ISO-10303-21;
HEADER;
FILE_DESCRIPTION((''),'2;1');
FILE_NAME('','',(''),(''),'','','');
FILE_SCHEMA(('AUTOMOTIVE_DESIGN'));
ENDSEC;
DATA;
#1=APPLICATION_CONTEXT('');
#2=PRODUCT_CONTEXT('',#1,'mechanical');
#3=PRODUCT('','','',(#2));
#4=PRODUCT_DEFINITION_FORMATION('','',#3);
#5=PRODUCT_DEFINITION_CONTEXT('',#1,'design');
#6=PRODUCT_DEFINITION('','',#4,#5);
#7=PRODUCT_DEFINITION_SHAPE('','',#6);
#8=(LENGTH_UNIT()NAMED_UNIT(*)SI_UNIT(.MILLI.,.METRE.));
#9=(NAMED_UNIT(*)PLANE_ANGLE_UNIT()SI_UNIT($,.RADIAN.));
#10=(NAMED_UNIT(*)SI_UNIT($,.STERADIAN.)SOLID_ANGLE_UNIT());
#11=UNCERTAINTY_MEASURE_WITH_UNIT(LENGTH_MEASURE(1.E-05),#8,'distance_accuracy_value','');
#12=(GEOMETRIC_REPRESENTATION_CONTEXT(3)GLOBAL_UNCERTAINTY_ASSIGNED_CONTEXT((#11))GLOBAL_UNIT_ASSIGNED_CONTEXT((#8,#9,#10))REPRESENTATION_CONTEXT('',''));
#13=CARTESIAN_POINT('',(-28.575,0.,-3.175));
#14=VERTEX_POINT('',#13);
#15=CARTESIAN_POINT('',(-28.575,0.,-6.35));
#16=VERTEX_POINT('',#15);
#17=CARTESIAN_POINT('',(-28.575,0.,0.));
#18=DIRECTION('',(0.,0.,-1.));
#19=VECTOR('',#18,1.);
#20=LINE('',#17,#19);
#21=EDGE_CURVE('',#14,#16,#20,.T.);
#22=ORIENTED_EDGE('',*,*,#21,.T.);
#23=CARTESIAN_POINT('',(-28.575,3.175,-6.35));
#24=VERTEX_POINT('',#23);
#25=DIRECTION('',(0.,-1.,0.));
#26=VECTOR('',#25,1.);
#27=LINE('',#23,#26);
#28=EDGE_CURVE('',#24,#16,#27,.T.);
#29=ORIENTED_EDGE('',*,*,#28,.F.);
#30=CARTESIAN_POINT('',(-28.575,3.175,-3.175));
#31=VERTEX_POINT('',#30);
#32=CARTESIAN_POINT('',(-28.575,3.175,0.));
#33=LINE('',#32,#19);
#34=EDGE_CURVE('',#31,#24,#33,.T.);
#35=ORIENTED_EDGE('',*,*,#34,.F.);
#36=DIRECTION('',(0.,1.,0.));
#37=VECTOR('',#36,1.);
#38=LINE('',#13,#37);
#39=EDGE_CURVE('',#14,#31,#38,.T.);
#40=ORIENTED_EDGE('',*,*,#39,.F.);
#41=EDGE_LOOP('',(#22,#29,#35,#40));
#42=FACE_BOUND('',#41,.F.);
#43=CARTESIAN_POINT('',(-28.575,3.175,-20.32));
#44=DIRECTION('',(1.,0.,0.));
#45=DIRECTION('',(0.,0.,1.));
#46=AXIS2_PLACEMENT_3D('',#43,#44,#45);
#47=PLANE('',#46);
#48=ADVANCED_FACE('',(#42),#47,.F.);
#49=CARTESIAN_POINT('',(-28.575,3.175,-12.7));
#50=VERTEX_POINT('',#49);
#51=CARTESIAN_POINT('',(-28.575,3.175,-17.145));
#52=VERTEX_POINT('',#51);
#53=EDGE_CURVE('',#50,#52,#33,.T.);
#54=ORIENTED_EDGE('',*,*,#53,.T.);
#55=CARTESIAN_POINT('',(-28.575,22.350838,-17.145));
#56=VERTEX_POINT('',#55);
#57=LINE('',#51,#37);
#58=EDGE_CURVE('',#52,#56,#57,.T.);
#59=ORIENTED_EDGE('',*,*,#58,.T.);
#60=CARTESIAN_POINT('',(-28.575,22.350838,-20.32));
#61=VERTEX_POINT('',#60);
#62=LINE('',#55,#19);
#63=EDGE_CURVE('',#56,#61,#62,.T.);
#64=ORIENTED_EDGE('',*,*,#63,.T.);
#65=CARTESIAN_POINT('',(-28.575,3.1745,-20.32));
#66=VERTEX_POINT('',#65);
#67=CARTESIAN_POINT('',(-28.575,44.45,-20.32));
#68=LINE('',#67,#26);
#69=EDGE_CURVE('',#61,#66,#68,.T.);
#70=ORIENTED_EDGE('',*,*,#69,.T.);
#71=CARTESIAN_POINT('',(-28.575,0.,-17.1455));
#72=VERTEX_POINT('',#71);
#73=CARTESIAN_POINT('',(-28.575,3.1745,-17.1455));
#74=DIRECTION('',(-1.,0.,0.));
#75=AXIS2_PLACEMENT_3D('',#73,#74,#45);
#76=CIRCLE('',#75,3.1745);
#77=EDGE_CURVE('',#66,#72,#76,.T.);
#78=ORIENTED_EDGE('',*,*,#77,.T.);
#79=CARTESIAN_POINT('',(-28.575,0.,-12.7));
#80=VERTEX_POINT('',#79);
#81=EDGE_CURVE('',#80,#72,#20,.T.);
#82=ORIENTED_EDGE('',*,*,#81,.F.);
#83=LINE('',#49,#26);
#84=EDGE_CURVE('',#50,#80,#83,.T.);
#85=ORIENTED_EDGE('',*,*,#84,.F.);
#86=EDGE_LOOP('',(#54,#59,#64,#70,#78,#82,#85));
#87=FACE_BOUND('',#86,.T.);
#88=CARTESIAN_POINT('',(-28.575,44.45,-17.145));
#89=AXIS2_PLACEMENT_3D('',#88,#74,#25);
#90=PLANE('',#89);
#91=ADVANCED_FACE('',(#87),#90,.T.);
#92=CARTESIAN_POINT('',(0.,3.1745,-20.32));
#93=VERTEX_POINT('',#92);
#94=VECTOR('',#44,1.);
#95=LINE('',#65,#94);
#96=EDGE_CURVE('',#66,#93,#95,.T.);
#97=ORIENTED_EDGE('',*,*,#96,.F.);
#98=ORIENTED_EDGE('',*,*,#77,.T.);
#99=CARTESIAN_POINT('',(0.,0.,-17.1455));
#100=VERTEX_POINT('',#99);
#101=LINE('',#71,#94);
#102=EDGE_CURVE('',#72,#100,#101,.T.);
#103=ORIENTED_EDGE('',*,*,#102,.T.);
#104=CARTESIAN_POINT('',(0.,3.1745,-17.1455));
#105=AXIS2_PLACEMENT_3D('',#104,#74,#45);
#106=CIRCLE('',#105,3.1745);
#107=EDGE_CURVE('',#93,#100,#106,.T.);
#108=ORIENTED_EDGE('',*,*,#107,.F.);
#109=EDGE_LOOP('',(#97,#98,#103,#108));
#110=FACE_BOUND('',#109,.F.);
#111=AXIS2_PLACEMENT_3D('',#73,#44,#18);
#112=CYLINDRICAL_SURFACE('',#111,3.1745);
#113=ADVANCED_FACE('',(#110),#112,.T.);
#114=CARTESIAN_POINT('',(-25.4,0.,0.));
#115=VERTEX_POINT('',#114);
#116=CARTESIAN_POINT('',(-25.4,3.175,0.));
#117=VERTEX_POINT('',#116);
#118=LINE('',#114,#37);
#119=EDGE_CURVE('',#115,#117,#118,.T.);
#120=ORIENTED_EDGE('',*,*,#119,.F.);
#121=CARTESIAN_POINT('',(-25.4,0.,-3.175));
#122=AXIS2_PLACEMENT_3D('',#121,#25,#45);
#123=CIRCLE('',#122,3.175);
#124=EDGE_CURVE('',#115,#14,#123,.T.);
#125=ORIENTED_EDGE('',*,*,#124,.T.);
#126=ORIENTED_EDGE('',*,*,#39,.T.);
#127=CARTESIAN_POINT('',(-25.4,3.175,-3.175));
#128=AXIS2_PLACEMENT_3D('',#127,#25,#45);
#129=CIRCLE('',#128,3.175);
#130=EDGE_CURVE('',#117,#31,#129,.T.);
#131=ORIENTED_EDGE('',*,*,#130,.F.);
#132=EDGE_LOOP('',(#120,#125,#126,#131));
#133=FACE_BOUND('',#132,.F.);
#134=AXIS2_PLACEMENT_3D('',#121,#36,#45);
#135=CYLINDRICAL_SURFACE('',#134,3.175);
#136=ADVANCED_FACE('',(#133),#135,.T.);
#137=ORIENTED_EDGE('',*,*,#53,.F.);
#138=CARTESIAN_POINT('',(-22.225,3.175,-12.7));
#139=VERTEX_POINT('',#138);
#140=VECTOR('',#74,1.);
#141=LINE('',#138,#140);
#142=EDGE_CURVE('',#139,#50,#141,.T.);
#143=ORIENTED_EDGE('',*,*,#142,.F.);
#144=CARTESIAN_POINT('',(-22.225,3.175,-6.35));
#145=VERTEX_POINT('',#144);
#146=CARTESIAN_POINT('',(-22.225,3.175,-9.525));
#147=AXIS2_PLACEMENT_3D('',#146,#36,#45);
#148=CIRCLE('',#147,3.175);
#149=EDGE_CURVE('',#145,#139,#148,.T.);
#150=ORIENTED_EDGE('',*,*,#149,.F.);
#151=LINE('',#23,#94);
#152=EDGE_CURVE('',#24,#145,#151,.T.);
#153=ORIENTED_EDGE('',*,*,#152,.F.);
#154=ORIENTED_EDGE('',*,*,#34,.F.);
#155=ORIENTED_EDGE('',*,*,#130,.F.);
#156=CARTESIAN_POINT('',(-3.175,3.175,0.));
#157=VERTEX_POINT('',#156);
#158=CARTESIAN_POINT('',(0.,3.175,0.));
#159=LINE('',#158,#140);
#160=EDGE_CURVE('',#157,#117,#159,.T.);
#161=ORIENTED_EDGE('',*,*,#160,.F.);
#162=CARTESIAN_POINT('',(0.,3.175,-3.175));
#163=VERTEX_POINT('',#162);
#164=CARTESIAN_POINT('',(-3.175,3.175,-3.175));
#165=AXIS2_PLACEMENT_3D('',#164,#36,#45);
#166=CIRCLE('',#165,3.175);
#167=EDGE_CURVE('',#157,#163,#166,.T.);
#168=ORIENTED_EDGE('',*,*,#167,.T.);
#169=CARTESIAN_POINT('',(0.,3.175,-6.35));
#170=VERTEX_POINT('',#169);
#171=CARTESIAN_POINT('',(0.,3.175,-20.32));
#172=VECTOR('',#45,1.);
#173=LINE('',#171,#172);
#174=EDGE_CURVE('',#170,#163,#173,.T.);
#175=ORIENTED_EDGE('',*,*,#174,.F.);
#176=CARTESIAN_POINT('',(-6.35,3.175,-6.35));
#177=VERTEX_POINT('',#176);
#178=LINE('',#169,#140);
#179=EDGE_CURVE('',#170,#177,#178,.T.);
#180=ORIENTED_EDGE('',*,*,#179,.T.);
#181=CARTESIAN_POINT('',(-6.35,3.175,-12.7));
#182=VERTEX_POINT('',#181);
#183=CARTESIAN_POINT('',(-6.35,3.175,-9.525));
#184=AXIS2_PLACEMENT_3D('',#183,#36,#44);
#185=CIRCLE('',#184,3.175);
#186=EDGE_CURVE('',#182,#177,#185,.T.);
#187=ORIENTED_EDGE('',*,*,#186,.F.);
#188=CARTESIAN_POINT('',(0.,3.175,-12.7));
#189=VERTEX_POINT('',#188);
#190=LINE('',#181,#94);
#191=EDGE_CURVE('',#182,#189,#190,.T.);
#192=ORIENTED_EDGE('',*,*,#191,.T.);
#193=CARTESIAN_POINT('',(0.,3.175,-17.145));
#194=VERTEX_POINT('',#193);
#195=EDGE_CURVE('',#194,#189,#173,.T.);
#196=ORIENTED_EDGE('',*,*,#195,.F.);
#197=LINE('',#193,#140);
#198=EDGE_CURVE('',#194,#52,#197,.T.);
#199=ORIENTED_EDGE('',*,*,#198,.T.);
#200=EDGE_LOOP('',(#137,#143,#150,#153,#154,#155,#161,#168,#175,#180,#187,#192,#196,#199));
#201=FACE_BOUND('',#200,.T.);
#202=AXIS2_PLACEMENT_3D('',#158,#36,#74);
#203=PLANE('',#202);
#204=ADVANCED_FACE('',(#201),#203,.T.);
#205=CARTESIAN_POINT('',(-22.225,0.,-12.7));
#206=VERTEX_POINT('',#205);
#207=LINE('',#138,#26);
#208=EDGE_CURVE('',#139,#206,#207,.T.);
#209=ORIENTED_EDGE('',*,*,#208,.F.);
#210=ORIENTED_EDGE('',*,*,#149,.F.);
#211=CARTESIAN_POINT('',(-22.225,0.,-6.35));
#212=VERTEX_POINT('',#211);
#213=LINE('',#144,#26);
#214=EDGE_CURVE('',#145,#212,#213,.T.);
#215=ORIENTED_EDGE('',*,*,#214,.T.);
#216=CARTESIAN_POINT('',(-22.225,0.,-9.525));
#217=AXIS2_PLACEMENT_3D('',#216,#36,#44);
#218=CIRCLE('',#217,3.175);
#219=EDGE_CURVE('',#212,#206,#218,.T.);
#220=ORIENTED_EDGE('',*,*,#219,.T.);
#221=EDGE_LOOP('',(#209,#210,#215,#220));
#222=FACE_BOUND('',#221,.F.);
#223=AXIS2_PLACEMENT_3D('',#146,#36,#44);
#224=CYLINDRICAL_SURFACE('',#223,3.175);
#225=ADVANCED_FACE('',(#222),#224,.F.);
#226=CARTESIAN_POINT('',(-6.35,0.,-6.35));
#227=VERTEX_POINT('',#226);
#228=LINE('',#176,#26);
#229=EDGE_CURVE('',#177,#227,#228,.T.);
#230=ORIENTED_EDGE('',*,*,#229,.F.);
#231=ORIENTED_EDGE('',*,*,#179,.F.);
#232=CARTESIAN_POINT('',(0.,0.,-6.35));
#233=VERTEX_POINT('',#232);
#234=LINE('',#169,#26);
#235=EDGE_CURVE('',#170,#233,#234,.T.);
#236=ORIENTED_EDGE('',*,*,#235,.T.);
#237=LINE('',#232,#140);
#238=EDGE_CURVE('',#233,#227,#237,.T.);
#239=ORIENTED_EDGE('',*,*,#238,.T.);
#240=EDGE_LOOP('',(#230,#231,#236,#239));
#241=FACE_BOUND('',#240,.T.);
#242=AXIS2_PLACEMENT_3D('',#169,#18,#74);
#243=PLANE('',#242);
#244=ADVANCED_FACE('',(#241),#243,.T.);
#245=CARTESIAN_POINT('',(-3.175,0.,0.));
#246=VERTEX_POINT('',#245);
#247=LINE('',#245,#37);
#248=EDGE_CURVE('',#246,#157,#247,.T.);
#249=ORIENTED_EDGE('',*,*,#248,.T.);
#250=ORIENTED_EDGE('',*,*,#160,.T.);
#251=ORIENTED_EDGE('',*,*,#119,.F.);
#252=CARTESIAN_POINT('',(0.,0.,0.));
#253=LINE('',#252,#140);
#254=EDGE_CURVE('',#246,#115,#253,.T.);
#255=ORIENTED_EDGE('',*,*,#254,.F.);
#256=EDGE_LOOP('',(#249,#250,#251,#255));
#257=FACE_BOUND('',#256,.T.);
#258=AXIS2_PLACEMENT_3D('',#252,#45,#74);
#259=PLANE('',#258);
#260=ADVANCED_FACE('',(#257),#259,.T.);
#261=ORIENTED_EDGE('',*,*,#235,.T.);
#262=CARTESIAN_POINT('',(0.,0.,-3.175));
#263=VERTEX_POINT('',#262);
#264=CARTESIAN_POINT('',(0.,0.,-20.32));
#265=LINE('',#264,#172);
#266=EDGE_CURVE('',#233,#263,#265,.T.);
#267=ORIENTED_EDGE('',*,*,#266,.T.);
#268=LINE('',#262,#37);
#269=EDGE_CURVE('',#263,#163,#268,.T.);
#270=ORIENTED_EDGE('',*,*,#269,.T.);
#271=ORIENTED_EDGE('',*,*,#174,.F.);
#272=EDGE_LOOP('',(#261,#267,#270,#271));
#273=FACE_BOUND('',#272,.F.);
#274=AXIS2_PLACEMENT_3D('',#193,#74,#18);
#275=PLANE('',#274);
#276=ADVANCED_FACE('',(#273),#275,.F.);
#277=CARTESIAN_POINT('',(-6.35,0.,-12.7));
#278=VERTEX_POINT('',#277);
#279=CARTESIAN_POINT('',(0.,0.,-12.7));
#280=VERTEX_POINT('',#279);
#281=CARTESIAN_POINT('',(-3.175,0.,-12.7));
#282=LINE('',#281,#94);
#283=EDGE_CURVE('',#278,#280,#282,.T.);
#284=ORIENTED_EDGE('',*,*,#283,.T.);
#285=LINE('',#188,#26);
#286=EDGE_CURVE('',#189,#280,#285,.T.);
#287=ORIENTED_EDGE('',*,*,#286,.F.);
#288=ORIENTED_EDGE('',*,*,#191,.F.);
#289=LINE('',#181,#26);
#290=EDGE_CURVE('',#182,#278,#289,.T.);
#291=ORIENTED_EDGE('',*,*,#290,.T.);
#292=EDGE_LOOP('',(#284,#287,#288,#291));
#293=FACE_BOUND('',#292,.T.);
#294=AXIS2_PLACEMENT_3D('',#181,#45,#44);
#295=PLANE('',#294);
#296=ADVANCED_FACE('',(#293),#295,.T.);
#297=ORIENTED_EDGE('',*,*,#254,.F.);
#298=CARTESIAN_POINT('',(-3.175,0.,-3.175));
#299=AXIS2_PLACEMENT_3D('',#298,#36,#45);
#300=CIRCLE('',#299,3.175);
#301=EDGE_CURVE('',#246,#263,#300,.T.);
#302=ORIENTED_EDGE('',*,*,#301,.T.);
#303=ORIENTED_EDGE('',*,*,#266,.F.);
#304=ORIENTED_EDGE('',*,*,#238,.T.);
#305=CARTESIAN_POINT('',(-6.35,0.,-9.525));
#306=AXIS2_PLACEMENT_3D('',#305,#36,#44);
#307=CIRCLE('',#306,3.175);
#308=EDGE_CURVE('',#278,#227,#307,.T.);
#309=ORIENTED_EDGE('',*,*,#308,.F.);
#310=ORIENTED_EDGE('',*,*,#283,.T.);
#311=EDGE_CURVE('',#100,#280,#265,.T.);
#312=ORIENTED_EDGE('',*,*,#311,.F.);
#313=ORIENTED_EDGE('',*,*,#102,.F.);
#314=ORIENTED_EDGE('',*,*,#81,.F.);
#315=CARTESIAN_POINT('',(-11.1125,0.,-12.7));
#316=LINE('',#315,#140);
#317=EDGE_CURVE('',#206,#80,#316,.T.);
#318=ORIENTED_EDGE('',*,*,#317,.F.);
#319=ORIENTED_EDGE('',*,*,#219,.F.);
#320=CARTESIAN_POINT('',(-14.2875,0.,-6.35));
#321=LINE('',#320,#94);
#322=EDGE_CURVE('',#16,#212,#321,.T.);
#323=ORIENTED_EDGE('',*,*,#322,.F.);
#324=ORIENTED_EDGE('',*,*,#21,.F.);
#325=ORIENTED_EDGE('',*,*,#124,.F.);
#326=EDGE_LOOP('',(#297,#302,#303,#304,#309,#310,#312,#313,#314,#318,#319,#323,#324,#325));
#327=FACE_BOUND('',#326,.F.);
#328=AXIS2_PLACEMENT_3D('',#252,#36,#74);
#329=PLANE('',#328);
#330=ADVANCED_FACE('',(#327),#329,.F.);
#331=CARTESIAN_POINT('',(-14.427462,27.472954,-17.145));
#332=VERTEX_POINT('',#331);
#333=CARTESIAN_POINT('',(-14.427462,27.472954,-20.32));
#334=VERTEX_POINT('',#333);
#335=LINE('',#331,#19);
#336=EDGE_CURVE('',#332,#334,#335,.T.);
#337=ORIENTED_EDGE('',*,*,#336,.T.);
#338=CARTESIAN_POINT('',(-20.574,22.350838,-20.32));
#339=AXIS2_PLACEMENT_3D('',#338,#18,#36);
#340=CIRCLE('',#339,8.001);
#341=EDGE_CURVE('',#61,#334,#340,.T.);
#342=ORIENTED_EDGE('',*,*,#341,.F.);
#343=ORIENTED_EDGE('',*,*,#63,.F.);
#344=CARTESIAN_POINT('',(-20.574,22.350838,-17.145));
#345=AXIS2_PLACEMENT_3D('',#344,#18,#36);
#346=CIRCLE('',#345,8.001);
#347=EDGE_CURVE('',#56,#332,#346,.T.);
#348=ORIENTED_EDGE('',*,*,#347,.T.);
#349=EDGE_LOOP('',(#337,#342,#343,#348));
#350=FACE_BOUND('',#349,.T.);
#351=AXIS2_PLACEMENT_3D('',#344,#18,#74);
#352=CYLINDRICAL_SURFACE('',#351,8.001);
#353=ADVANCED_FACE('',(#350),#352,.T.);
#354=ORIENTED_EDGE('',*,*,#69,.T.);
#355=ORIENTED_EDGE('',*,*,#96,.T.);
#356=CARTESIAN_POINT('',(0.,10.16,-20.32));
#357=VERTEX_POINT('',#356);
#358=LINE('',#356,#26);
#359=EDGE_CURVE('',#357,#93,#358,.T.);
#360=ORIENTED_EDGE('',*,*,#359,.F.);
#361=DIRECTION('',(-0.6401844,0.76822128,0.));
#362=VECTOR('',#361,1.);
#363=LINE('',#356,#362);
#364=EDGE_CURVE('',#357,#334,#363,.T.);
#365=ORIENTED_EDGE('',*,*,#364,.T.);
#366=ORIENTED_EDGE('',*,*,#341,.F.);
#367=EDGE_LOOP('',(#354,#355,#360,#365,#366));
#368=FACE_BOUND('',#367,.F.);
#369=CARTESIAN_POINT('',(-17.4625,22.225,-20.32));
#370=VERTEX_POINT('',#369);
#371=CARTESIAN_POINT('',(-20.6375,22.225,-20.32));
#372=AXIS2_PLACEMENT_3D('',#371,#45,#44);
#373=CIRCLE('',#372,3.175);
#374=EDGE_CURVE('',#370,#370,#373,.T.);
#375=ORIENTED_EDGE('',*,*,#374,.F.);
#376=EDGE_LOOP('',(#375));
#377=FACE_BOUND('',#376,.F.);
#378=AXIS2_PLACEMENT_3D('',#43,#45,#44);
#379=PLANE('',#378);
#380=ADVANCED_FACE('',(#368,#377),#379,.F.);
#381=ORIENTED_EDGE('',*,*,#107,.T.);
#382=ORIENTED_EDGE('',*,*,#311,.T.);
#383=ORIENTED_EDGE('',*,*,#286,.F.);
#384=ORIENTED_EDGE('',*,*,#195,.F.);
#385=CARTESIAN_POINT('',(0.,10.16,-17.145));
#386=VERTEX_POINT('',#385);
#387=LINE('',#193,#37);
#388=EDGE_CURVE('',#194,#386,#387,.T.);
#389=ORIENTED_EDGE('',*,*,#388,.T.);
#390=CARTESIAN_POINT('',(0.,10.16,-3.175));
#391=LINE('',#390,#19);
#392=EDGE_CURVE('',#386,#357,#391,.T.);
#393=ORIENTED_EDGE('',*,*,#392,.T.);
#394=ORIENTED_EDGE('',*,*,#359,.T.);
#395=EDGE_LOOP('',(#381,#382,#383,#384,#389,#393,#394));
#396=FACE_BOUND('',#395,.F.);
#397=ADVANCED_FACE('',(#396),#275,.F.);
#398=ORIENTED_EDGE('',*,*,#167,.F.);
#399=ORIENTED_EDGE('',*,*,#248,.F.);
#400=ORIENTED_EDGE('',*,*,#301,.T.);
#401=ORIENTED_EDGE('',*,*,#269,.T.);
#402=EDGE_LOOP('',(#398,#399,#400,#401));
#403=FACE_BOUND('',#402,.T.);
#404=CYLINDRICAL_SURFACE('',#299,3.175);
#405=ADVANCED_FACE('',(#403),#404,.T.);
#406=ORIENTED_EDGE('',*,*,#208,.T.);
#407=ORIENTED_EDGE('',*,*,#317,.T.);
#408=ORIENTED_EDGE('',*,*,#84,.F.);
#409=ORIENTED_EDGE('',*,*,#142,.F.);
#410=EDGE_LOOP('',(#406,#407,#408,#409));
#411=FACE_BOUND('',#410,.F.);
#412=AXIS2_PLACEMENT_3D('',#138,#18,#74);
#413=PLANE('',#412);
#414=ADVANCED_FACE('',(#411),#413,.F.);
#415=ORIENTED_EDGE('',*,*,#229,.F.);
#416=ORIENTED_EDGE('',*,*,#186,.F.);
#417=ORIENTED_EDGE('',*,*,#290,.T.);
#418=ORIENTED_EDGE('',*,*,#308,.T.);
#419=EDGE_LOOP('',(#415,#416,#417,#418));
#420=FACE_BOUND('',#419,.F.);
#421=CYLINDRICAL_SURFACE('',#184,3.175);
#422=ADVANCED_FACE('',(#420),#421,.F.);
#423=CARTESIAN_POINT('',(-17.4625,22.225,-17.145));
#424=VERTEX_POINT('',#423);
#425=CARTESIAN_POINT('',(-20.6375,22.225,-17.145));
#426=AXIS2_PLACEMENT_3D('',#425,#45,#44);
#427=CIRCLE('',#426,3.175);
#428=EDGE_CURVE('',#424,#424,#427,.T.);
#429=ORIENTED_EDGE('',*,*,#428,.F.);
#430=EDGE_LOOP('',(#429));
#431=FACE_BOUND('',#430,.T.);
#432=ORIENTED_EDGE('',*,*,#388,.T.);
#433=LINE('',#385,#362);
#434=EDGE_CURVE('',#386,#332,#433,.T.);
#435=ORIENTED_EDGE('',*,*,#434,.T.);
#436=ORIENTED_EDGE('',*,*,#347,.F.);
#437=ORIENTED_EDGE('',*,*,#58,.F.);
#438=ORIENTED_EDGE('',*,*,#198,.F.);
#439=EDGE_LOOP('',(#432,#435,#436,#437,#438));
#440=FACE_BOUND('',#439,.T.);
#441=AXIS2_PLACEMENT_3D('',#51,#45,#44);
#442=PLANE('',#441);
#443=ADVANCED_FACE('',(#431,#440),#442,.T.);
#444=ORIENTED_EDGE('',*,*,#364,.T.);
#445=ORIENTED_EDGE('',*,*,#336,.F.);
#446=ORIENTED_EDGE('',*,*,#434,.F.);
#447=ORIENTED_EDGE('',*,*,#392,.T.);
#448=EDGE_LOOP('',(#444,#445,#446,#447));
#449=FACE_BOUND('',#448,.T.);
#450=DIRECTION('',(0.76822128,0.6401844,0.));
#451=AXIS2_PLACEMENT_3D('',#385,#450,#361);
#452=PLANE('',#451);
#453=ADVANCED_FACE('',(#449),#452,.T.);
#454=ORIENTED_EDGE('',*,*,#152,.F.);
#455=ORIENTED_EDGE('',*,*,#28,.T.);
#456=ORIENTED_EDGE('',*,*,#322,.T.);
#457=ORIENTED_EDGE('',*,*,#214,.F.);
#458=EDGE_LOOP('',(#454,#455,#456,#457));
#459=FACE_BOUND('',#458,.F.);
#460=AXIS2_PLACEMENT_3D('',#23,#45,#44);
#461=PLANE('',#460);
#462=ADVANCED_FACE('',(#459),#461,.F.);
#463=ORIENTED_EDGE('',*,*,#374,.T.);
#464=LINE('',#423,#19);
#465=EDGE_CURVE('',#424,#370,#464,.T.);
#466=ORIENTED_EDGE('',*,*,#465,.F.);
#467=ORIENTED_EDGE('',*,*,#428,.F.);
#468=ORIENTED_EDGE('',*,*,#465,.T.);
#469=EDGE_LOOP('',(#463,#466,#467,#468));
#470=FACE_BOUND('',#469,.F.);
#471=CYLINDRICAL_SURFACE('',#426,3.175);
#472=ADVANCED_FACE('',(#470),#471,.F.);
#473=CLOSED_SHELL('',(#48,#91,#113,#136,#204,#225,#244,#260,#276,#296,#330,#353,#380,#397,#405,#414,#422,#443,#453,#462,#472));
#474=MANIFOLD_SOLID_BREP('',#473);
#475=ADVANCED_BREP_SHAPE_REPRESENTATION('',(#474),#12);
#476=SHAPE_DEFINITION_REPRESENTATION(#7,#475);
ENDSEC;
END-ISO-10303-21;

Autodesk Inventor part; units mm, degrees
ref_plane "YZ Plane" through (0, 0, 0) normal (1, 0, 0) x (0, 1, 0)
ref_plane "XZ Plane" through (0, 0, 0) normal (0, 1, 0) x (-1, 0, 0)
ref_plane "XY Plane" through (0, 0, 0) normal (0, 0, 1) x (1, 0, 0)
sketch "Sketch1" plane through (0, 0, 0) normal (0, 1, 0) x (-1, 0, 0)
  line L0 (0, 0) -> (28.575, 0)
  line L1 (28.575, 0) -> (28.575, -20.32)
  line L2 (28.575, -20.32) -> (0, -20.32)
  line L3 (0, -20.32) -> (0, 0)
  dimension "d0" = 28.575
  dimension "d1" = 20.32
extrude "Extrusion1" add sketch "Sketch1" along normal blind 3.175
fillet "Fillet1" radius 3.175 1 edges at (-14.2875, 0, -20.32)
fillet "Fillet2" radius 3.175 1 edges at (0, 1.5875, 0)
fillet "Fillet3" radius 3.175 1 edges at (-28.575, 1.5875, 0)
sketch "Sketch2" plane through (0, 3.175, 0) normal (0, 1, 0) x (1, 0, 0)
  line L0 (-28.575, 20.32) -> (-28.575, 3.175) projected
  line L1 (0, 3.175) -> (0, 20.32) projected
  line L2 (-28.575, 20.32) -> (0, 20.32)
  line L3 (0, 20.32) -> (0, 17.145)
  line L4 (0, 17.145) -> (-28.575, 17.145)
  line L5 (-28.575, 17.145) -> (-28.575, 20.32)
  point P0 (0, 0)
  dimension "d7" = 3.175
extrude "Extrusion2" add sketch "Sketch2" along normal blind 6.985
sketch "Sketch3" plane through (0, 3.175, 0) normal (0, 1, 0) x (1, 0, 0)
  line L0 (0, 17.145) -> (0, 3.175) projected
  line L1 (0, 6.35) -> (-6.35, 6.35)
  line L2 (-6.35, 6.35) -> (-6.35, 12.7)
  line L3 (-6.35, 12.7) -> (0, 12.7)
  line L4 (0, 12.7) -> (0, 6.35)
  line L5 (-28.575, 3.175) -> (-28.575, 17.145) projected
  line L6 (-28.575, 6.35) -> (-22.225, 6.35)
  line L7 (-22.225, 6.35) -> (-22.225, 12.7)
  line L8 (-22.225, 12.7) -> (-28.575, 12.7)
  line L9 (-28.575, 12.7) -> (-28.575, 6.35)
  line L10 (-25.4, 0) -> (-3.175, 0) projected
  line L11 (0, 20.32) -> (-28.575, 20.32) projected
  circle A0 centre (-6.35, 9.525) radius 3.175
  circle A1 centre (-22.225, 9.525) radius 3.175
  point P0 (0, 0)
  dimension "d10" = 6.35
  dimension "d11" = 7.62
  dimension "d12" = 6.35
  dimension "d13" = 6.35
extrude "Extrusion3" cut sketch "Sketch3" against normal blind 25.4
sketch "Sketch4" plane through (-28.575, 3.175, -17.145) normal (0, 0, 1) x (1, 0, 0)
  line L0 (0, 0) -> (0, 6.985) projected
  line L1 (0, 6.985) -> (28.4507, 6.985)
  line L2 (28.575, 0) -> (0, 0) projected
  line L3 (28.575, -3.175) -> (0, -3.175) projected
  dimension "d16" = 6.985
  dimension "d17" = 10.16
sketch "Sketch5" plane through (-28.575, 3.175, -17.145) normal (0, 0, 1) x (1, 0, 0)
  line L0 (28.575, 0) -> (28.575, 6.985) projected
  line L1 (28.575, 6.985) -> (0, 41.275)
  line L2 (28.575, -3.175) -> (0, -3.175) projected
  line L3 (0, 0) -> (0, 6.985) projected
  line L4 (28.575, 0) -> (0, 0) projected
  line L5 (0, 41.275) -> (0, 6.985)
  line L6 (0, 0) -> (0, 6.985) projected
  line L7 (0, 6.985) -> (28.575, 6.985)
  dimension "d18" = 44.45
  dimension "d19" = 0
  dimension "d20" = 6.985
  dimension "d21" = 6.985
extrude "Extrusion4" add sketch "Sketch5" against normal blind 3.175 contours L7 L5 L1
sketch "Sketch6" plane through (-28.575, 3.175, -17.145) normal (0, 0, 1) x (1, 0, 0)
  circle A0 centre (7.9375, 19.05) radius 3.175
  line L0 (28.575, -3.175) -> (0, -3.175) projected
  line L1 (0, 0) -> (0, 41.275) projected
  dimension "d24" = 22.225
  dimension "d25" = 7.9375
  dimension "d26" = 6.35
extrude "Extrusion5" cut sketch "Sketch6" against normal blind 3.175
sketch "Sketch7" plane through (-28.575, 3.175, -17.145) normal (0, 0, 1) x (1, 0, 0)
  line L0 (0, 0) -> (0, 41.275) projected
  line L1 (28.575, 6.985) -> (0, 41.275) projected
  circle A0 centre (7.9375, 19.05) radius 3.175 projected
  point P0 (28.575, -3.175)
fillet "Fillet4" radius 8.001 1 edges at (-28.575, 44.45, -18.7325)
properties part number "LeftPinAtttachments-1111-2019"
